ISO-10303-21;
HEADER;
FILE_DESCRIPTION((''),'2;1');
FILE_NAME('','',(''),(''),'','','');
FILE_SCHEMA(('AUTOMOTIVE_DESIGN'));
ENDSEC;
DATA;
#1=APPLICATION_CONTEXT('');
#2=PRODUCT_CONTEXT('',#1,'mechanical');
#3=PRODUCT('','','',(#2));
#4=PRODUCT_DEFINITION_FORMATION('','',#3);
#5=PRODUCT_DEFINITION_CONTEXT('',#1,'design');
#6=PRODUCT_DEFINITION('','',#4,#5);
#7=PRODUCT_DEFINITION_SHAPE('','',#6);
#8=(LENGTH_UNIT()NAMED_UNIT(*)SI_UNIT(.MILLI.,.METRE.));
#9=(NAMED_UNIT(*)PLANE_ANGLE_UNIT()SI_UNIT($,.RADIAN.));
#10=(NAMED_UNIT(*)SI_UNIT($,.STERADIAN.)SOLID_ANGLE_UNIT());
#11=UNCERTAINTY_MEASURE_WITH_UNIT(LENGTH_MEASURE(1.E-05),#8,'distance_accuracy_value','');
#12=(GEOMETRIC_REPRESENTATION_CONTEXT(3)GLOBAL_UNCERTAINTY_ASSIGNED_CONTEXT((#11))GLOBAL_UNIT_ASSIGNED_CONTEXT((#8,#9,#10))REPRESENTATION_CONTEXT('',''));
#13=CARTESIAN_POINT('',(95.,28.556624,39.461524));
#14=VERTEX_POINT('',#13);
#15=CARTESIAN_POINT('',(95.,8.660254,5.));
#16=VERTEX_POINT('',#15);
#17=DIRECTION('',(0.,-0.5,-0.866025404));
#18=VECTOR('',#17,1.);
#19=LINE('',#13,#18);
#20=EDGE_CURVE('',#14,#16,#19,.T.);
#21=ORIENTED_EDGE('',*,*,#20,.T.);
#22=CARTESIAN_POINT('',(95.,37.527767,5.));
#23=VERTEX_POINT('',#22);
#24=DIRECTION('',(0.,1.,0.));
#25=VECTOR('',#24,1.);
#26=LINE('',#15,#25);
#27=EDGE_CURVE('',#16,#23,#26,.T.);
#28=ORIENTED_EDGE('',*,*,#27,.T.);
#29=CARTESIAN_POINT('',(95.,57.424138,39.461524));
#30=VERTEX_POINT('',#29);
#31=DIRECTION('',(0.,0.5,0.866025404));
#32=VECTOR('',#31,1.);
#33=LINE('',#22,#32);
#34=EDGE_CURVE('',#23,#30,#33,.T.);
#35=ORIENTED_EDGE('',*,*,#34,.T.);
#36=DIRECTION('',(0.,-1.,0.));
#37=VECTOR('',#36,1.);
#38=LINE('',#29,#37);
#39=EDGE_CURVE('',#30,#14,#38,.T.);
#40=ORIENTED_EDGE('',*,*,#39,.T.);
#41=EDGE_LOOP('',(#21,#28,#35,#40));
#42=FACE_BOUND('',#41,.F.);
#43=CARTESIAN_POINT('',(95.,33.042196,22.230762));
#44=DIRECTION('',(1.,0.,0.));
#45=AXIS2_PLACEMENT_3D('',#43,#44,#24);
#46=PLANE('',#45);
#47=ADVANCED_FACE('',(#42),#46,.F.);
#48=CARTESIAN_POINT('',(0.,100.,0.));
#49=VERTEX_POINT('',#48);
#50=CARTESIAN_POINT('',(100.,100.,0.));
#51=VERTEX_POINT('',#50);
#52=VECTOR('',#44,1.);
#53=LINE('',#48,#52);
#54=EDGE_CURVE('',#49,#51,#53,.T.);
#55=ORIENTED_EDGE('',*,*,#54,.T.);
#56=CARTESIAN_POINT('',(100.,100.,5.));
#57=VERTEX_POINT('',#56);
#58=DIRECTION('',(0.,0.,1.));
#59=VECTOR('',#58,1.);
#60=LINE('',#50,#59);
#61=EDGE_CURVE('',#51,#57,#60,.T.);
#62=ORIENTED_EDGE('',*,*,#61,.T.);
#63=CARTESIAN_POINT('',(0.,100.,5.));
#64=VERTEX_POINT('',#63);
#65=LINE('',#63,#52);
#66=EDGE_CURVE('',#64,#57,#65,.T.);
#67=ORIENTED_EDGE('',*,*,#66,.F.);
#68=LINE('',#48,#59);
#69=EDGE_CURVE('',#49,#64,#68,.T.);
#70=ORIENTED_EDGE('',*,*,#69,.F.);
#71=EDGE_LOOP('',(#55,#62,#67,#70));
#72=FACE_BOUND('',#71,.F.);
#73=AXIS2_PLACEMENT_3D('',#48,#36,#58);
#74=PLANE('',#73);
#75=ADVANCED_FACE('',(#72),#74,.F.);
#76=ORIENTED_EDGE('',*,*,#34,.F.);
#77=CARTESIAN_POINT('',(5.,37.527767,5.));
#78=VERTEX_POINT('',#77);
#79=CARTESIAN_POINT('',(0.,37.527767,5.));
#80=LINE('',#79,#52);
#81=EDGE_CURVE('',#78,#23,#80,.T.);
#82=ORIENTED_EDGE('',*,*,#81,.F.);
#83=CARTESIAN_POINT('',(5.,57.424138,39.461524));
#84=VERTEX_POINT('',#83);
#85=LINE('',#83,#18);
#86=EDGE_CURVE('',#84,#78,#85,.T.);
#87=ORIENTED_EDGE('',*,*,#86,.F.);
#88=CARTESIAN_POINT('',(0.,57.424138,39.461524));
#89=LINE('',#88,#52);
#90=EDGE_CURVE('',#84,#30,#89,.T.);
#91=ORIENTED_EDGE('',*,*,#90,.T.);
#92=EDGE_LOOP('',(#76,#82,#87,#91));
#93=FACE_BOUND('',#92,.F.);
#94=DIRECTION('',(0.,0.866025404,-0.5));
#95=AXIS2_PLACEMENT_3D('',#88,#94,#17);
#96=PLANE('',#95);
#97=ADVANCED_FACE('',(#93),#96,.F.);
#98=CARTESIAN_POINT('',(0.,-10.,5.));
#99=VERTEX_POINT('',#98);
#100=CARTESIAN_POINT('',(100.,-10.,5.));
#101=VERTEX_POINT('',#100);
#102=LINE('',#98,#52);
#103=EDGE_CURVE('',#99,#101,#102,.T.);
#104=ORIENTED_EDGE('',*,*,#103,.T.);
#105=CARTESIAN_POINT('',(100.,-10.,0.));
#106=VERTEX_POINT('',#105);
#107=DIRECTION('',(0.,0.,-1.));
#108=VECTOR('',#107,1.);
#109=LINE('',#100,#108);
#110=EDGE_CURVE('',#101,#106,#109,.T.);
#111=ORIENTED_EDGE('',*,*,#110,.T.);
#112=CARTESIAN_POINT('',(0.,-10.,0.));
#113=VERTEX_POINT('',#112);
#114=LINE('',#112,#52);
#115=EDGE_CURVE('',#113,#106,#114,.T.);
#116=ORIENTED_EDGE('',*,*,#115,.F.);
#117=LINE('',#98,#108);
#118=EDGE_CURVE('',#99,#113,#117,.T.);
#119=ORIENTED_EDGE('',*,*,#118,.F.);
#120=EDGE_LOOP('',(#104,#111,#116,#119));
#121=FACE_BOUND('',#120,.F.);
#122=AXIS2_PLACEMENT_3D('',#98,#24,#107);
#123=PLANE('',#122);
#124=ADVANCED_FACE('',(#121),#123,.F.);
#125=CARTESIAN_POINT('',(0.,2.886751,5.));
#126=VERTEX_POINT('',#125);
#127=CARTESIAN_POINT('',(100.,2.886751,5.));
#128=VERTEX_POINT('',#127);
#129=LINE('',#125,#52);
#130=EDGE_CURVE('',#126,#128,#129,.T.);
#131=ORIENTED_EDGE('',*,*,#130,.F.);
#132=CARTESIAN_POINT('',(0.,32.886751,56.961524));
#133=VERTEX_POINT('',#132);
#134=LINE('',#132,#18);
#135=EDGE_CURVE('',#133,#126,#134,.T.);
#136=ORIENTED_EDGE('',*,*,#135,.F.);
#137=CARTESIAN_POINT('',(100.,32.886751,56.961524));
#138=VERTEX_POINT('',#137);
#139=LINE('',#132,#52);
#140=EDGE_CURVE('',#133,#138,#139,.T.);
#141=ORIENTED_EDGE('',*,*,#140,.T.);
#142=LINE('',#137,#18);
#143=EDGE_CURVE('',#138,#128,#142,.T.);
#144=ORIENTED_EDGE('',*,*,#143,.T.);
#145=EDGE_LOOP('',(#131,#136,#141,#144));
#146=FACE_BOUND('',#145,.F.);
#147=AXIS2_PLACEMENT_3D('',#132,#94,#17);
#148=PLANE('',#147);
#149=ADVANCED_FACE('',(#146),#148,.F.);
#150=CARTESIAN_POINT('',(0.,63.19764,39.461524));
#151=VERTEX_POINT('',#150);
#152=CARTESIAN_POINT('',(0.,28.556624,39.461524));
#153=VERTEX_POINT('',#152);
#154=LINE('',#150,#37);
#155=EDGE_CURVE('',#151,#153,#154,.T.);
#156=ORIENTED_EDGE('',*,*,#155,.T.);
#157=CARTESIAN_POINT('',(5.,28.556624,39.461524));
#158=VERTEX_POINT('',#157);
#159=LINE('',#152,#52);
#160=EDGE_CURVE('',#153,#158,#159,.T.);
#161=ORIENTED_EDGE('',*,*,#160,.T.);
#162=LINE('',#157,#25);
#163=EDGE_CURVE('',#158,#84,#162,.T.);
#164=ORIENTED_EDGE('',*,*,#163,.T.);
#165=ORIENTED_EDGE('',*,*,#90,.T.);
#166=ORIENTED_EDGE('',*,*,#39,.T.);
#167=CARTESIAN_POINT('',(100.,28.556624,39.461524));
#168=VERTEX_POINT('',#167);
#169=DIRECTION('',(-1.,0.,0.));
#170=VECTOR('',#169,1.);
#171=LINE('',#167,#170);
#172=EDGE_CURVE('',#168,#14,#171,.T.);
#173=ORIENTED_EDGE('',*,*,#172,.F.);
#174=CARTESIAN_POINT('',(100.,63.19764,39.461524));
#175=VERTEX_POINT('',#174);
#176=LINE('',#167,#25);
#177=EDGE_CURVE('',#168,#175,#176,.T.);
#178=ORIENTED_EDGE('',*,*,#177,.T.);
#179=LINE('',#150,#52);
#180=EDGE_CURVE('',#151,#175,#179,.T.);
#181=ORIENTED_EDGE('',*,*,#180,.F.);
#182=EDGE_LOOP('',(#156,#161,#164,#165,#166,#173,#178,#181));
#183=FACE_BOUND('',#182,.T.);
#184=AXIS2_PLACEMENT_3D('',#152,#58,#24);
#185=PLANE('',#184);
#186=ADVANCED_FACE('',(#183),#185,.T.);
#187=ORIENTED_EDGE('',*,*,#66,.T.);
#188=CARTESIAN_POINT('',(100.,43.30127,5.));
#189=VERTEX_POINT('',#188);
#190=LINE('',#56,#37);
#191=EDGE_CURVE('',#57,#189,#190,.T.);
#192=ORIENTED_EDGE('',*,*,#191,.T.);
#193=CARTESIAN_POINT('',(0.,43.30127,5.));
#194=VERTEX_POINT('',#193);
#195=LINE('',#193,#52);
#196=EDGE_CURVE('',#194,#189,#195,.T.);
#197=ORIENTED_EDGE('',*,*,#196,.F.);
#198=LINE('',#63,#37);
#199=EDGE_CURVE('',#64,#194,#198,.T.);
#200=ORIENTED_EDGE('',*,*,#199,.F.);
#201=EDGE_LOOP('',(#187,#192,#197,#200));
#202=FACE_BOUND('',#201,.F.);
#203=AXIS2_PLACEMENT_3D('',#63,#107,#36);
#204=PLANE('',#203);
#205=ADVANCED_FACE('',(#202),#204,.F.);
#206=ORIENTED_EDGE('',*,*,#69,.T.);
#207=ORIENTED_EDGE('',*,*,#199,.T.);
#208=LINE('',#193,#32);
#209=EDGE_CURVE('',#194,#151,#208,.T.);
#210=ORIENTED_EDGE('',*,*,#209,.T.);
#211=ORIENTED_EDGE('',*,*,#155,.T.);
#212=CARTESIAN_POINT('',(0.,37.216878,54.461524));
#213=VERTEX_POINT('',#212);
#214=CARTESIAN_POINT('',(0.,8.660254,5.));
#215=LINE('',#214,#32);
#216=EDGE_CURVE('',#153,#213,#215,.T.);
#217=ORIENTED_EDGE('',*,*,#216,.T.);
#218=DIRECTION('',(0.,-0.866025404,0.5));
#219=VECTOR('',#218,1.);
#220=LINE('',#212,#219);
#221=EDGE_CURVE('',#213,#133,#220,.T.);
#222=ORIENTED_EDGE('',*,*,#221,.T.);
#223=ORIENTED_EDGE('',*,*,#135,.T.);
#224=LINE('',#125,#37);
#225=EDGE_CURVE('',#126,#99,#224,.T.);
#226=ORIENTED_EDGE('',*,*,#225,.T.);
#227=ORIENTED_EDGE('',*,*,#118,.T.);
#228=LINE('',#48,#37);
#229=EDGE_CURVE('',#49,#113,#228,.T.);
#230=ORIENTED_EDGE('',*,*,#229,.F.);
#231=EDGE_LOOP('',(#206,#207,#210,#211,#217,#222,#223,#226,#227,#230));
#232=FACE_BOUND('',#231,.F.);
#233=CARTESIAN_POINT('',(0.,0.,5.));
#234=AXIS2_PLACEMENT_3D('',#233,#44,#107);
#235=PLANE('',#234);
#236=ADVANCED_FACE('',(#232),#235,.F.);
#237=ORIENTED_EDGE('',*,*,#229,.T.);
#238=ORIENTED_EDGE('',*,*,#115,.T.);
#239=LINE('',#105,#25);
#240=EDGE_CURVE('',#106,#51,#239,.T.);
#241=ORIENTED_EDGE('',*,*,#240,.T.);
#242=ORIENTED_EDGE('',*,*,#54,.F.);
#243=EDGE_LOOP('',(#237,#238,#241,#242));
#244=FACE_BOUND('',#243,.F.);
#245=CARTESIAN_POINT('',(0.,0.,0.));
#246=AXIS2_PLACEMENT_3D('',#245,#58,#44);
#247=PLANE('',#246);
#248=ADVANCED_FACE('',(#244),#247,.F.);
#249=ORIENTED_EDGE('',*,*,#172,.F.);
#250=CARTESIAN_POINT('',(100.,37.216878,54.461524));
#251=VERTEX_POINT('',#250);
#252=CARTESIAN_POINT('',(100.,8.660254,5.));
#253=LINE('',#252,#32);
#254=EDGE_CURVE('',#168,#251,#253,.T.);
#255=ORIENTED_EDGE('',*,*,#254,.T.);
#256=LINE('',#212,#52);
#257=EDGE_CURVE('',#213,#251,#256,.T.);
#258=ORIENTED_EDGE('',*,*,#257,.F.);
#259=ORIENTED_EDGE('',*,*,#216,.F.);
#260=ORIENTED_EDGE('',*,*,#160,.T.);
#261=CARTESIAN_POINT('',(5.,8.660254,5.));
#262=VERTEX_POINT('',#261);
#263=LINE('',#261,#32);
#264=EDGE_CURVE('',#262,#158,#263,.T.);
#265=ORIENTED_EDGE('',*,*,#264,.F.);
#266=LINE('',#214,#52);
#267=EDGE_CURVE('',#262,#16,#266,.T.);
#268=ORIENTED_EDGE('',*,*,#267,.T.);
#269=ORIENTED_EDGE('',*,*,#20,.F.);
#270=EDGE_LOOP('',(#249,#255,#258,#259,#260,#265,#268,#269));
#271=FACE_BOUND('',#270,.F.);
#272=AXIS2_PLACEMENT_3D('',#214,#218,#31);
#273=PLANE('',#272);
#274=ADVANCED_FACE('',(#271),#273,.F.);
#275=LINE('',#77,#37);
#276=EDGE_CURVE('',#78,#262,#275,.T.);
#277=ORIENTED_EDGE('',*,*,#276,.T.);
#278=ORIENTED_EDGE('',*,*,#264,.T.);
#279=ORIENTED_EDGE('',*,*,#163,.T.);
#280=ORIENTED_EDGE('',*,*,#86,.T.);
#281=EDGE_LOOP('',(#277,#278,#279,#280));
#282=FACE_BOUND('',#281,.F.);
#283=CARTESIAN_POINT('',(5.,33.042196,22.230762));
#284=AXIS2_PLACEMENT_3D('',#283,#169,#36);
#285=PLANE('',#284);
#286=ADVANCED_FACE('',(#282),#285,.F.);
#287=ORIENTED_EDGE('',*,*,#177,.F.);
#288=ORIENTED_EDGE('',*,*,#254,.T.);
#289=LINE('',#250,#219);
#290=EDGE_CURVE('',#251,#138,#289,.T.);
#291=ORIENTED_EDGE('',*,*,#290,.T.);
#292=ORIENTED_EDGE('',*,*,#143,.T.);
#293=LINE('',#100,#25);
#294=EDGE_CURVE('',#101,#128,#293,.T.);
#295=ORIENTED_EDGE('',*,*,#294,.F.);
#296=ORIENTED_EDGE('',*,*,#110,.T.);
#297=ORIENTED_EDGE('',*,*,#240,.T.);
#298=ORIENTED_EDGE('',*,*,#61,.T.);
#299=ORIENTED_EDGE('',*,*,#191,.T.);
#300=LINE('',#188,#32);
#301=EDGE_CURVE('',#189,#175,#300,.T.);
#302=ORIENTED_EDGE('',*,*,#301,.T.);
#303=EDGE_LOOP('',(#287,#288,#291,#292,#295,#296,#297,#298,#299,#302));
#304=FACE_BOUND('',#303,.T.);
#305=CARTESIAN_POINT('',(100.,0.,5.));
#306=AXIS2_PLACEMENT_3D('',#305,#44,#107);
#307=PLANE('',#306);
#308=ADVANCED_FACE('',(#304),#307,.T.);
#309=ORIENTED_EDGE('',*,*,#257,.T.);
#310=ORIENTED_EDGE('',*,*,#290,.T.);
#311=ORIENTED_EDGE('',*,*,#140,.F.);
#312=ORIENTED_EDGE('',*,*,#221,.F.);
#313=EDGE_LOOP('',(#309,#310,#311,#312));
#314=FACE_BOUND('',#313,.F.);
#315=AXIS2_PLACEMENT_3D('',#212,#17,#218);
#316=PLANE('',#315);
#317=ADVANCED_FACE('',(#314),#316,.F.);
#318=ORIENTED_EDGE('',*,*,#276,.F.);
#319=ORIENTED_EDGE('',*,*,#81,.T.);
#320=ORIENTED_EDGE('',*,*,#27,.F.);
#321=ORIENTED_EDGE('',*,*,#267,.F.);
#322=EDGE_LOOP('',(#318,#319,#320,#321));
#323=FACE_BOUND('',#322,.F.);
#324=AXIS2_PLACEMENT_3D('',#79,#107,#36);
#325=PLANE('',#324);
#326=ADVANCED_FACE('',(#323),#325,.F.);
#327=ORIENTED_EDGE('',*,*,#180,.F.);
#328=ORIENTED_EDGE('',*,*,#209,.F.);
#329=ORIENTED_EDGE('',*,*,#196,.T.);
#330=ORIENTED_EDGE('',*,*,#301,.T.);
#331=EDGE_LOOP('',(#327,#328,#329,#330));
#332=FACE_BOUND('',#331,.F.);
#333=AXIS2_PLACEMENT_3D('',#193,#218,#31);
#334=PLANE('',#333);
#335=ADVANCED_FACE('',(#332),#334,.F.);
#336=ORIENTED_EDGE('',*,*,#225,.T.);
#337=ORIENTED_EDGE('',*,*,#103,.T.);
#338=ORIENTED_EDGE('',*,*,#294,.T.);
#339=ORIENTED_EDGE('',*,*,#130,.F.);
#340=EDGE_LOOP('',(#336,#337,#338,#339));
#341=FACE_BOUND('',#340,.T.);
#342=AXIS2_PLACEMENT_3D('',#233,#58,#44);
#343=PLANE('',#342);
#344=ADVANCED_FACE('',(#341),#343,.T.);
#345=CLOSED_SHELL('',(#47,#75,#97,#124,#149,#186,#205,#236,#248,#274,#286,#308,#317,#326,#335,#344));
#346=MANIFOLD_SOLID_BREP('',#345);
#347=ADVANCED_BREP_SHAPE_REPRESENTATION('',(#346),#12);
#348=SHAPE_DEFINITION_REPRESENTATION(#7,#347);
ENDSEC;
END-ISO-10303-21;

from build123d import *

# Parameters (mm, degrees)
F1_DEPTH = 100
F3_DEPTH = 5
F5_DEPTH = 5
F6_DEPTH = 10


with BuildPart() as f1:
    # F0 (on Right) → F1 (new body)
    with BuildSketch(Plane.YZ):
        Polygon((0, 5), (0, 0), (100, 0), (100, 5), (43.3012701892, 5), (63.1976404784, 39.4615242271), (57.4241377865, 39.4615242271), (37.5277674973, 5), (8.6602540378, 5), (37.2168783649, 54.4615242271), (32.8867513459, 56.9615242271), (2.8867513459, 5), align=None)
    extrude(amount=F1_DEPTH)

    # F2 (on face) → F3 (join)
    with BuildSketch(Plane.YZ.offset(100)):
        Polygon((37.5277674973, 5), (57.4241377865, 39.4615242271), (28.556624327, 39.4615242271), (8.6602540378, 5), align=None)
    extrude(amount=-F3_DEPTH)

    # F4 (on face) → F5 (join)
    with BuildSketch(Plane(origin=(0, 0, 0), x_dir=(0, -1, 0), z_dir=(-1, 0, 0))):
        Polygon((-28.556624327, 39.4615242271), (-57.4241377865, 39.4615242271), (-37.5277674973, 5), (-8.6602540378, 5), align=None)
    extrude(amount=-F5_DEPTH)

    # F6 (add): a face of the model
    f6_faces = [f1.faces().sort_by_distance(p)[0] for p in [
        (50, 0, 2.5),
    ]]
    extrude(f6_faces, amount=F6_DEPTH)


solid = f1.part
